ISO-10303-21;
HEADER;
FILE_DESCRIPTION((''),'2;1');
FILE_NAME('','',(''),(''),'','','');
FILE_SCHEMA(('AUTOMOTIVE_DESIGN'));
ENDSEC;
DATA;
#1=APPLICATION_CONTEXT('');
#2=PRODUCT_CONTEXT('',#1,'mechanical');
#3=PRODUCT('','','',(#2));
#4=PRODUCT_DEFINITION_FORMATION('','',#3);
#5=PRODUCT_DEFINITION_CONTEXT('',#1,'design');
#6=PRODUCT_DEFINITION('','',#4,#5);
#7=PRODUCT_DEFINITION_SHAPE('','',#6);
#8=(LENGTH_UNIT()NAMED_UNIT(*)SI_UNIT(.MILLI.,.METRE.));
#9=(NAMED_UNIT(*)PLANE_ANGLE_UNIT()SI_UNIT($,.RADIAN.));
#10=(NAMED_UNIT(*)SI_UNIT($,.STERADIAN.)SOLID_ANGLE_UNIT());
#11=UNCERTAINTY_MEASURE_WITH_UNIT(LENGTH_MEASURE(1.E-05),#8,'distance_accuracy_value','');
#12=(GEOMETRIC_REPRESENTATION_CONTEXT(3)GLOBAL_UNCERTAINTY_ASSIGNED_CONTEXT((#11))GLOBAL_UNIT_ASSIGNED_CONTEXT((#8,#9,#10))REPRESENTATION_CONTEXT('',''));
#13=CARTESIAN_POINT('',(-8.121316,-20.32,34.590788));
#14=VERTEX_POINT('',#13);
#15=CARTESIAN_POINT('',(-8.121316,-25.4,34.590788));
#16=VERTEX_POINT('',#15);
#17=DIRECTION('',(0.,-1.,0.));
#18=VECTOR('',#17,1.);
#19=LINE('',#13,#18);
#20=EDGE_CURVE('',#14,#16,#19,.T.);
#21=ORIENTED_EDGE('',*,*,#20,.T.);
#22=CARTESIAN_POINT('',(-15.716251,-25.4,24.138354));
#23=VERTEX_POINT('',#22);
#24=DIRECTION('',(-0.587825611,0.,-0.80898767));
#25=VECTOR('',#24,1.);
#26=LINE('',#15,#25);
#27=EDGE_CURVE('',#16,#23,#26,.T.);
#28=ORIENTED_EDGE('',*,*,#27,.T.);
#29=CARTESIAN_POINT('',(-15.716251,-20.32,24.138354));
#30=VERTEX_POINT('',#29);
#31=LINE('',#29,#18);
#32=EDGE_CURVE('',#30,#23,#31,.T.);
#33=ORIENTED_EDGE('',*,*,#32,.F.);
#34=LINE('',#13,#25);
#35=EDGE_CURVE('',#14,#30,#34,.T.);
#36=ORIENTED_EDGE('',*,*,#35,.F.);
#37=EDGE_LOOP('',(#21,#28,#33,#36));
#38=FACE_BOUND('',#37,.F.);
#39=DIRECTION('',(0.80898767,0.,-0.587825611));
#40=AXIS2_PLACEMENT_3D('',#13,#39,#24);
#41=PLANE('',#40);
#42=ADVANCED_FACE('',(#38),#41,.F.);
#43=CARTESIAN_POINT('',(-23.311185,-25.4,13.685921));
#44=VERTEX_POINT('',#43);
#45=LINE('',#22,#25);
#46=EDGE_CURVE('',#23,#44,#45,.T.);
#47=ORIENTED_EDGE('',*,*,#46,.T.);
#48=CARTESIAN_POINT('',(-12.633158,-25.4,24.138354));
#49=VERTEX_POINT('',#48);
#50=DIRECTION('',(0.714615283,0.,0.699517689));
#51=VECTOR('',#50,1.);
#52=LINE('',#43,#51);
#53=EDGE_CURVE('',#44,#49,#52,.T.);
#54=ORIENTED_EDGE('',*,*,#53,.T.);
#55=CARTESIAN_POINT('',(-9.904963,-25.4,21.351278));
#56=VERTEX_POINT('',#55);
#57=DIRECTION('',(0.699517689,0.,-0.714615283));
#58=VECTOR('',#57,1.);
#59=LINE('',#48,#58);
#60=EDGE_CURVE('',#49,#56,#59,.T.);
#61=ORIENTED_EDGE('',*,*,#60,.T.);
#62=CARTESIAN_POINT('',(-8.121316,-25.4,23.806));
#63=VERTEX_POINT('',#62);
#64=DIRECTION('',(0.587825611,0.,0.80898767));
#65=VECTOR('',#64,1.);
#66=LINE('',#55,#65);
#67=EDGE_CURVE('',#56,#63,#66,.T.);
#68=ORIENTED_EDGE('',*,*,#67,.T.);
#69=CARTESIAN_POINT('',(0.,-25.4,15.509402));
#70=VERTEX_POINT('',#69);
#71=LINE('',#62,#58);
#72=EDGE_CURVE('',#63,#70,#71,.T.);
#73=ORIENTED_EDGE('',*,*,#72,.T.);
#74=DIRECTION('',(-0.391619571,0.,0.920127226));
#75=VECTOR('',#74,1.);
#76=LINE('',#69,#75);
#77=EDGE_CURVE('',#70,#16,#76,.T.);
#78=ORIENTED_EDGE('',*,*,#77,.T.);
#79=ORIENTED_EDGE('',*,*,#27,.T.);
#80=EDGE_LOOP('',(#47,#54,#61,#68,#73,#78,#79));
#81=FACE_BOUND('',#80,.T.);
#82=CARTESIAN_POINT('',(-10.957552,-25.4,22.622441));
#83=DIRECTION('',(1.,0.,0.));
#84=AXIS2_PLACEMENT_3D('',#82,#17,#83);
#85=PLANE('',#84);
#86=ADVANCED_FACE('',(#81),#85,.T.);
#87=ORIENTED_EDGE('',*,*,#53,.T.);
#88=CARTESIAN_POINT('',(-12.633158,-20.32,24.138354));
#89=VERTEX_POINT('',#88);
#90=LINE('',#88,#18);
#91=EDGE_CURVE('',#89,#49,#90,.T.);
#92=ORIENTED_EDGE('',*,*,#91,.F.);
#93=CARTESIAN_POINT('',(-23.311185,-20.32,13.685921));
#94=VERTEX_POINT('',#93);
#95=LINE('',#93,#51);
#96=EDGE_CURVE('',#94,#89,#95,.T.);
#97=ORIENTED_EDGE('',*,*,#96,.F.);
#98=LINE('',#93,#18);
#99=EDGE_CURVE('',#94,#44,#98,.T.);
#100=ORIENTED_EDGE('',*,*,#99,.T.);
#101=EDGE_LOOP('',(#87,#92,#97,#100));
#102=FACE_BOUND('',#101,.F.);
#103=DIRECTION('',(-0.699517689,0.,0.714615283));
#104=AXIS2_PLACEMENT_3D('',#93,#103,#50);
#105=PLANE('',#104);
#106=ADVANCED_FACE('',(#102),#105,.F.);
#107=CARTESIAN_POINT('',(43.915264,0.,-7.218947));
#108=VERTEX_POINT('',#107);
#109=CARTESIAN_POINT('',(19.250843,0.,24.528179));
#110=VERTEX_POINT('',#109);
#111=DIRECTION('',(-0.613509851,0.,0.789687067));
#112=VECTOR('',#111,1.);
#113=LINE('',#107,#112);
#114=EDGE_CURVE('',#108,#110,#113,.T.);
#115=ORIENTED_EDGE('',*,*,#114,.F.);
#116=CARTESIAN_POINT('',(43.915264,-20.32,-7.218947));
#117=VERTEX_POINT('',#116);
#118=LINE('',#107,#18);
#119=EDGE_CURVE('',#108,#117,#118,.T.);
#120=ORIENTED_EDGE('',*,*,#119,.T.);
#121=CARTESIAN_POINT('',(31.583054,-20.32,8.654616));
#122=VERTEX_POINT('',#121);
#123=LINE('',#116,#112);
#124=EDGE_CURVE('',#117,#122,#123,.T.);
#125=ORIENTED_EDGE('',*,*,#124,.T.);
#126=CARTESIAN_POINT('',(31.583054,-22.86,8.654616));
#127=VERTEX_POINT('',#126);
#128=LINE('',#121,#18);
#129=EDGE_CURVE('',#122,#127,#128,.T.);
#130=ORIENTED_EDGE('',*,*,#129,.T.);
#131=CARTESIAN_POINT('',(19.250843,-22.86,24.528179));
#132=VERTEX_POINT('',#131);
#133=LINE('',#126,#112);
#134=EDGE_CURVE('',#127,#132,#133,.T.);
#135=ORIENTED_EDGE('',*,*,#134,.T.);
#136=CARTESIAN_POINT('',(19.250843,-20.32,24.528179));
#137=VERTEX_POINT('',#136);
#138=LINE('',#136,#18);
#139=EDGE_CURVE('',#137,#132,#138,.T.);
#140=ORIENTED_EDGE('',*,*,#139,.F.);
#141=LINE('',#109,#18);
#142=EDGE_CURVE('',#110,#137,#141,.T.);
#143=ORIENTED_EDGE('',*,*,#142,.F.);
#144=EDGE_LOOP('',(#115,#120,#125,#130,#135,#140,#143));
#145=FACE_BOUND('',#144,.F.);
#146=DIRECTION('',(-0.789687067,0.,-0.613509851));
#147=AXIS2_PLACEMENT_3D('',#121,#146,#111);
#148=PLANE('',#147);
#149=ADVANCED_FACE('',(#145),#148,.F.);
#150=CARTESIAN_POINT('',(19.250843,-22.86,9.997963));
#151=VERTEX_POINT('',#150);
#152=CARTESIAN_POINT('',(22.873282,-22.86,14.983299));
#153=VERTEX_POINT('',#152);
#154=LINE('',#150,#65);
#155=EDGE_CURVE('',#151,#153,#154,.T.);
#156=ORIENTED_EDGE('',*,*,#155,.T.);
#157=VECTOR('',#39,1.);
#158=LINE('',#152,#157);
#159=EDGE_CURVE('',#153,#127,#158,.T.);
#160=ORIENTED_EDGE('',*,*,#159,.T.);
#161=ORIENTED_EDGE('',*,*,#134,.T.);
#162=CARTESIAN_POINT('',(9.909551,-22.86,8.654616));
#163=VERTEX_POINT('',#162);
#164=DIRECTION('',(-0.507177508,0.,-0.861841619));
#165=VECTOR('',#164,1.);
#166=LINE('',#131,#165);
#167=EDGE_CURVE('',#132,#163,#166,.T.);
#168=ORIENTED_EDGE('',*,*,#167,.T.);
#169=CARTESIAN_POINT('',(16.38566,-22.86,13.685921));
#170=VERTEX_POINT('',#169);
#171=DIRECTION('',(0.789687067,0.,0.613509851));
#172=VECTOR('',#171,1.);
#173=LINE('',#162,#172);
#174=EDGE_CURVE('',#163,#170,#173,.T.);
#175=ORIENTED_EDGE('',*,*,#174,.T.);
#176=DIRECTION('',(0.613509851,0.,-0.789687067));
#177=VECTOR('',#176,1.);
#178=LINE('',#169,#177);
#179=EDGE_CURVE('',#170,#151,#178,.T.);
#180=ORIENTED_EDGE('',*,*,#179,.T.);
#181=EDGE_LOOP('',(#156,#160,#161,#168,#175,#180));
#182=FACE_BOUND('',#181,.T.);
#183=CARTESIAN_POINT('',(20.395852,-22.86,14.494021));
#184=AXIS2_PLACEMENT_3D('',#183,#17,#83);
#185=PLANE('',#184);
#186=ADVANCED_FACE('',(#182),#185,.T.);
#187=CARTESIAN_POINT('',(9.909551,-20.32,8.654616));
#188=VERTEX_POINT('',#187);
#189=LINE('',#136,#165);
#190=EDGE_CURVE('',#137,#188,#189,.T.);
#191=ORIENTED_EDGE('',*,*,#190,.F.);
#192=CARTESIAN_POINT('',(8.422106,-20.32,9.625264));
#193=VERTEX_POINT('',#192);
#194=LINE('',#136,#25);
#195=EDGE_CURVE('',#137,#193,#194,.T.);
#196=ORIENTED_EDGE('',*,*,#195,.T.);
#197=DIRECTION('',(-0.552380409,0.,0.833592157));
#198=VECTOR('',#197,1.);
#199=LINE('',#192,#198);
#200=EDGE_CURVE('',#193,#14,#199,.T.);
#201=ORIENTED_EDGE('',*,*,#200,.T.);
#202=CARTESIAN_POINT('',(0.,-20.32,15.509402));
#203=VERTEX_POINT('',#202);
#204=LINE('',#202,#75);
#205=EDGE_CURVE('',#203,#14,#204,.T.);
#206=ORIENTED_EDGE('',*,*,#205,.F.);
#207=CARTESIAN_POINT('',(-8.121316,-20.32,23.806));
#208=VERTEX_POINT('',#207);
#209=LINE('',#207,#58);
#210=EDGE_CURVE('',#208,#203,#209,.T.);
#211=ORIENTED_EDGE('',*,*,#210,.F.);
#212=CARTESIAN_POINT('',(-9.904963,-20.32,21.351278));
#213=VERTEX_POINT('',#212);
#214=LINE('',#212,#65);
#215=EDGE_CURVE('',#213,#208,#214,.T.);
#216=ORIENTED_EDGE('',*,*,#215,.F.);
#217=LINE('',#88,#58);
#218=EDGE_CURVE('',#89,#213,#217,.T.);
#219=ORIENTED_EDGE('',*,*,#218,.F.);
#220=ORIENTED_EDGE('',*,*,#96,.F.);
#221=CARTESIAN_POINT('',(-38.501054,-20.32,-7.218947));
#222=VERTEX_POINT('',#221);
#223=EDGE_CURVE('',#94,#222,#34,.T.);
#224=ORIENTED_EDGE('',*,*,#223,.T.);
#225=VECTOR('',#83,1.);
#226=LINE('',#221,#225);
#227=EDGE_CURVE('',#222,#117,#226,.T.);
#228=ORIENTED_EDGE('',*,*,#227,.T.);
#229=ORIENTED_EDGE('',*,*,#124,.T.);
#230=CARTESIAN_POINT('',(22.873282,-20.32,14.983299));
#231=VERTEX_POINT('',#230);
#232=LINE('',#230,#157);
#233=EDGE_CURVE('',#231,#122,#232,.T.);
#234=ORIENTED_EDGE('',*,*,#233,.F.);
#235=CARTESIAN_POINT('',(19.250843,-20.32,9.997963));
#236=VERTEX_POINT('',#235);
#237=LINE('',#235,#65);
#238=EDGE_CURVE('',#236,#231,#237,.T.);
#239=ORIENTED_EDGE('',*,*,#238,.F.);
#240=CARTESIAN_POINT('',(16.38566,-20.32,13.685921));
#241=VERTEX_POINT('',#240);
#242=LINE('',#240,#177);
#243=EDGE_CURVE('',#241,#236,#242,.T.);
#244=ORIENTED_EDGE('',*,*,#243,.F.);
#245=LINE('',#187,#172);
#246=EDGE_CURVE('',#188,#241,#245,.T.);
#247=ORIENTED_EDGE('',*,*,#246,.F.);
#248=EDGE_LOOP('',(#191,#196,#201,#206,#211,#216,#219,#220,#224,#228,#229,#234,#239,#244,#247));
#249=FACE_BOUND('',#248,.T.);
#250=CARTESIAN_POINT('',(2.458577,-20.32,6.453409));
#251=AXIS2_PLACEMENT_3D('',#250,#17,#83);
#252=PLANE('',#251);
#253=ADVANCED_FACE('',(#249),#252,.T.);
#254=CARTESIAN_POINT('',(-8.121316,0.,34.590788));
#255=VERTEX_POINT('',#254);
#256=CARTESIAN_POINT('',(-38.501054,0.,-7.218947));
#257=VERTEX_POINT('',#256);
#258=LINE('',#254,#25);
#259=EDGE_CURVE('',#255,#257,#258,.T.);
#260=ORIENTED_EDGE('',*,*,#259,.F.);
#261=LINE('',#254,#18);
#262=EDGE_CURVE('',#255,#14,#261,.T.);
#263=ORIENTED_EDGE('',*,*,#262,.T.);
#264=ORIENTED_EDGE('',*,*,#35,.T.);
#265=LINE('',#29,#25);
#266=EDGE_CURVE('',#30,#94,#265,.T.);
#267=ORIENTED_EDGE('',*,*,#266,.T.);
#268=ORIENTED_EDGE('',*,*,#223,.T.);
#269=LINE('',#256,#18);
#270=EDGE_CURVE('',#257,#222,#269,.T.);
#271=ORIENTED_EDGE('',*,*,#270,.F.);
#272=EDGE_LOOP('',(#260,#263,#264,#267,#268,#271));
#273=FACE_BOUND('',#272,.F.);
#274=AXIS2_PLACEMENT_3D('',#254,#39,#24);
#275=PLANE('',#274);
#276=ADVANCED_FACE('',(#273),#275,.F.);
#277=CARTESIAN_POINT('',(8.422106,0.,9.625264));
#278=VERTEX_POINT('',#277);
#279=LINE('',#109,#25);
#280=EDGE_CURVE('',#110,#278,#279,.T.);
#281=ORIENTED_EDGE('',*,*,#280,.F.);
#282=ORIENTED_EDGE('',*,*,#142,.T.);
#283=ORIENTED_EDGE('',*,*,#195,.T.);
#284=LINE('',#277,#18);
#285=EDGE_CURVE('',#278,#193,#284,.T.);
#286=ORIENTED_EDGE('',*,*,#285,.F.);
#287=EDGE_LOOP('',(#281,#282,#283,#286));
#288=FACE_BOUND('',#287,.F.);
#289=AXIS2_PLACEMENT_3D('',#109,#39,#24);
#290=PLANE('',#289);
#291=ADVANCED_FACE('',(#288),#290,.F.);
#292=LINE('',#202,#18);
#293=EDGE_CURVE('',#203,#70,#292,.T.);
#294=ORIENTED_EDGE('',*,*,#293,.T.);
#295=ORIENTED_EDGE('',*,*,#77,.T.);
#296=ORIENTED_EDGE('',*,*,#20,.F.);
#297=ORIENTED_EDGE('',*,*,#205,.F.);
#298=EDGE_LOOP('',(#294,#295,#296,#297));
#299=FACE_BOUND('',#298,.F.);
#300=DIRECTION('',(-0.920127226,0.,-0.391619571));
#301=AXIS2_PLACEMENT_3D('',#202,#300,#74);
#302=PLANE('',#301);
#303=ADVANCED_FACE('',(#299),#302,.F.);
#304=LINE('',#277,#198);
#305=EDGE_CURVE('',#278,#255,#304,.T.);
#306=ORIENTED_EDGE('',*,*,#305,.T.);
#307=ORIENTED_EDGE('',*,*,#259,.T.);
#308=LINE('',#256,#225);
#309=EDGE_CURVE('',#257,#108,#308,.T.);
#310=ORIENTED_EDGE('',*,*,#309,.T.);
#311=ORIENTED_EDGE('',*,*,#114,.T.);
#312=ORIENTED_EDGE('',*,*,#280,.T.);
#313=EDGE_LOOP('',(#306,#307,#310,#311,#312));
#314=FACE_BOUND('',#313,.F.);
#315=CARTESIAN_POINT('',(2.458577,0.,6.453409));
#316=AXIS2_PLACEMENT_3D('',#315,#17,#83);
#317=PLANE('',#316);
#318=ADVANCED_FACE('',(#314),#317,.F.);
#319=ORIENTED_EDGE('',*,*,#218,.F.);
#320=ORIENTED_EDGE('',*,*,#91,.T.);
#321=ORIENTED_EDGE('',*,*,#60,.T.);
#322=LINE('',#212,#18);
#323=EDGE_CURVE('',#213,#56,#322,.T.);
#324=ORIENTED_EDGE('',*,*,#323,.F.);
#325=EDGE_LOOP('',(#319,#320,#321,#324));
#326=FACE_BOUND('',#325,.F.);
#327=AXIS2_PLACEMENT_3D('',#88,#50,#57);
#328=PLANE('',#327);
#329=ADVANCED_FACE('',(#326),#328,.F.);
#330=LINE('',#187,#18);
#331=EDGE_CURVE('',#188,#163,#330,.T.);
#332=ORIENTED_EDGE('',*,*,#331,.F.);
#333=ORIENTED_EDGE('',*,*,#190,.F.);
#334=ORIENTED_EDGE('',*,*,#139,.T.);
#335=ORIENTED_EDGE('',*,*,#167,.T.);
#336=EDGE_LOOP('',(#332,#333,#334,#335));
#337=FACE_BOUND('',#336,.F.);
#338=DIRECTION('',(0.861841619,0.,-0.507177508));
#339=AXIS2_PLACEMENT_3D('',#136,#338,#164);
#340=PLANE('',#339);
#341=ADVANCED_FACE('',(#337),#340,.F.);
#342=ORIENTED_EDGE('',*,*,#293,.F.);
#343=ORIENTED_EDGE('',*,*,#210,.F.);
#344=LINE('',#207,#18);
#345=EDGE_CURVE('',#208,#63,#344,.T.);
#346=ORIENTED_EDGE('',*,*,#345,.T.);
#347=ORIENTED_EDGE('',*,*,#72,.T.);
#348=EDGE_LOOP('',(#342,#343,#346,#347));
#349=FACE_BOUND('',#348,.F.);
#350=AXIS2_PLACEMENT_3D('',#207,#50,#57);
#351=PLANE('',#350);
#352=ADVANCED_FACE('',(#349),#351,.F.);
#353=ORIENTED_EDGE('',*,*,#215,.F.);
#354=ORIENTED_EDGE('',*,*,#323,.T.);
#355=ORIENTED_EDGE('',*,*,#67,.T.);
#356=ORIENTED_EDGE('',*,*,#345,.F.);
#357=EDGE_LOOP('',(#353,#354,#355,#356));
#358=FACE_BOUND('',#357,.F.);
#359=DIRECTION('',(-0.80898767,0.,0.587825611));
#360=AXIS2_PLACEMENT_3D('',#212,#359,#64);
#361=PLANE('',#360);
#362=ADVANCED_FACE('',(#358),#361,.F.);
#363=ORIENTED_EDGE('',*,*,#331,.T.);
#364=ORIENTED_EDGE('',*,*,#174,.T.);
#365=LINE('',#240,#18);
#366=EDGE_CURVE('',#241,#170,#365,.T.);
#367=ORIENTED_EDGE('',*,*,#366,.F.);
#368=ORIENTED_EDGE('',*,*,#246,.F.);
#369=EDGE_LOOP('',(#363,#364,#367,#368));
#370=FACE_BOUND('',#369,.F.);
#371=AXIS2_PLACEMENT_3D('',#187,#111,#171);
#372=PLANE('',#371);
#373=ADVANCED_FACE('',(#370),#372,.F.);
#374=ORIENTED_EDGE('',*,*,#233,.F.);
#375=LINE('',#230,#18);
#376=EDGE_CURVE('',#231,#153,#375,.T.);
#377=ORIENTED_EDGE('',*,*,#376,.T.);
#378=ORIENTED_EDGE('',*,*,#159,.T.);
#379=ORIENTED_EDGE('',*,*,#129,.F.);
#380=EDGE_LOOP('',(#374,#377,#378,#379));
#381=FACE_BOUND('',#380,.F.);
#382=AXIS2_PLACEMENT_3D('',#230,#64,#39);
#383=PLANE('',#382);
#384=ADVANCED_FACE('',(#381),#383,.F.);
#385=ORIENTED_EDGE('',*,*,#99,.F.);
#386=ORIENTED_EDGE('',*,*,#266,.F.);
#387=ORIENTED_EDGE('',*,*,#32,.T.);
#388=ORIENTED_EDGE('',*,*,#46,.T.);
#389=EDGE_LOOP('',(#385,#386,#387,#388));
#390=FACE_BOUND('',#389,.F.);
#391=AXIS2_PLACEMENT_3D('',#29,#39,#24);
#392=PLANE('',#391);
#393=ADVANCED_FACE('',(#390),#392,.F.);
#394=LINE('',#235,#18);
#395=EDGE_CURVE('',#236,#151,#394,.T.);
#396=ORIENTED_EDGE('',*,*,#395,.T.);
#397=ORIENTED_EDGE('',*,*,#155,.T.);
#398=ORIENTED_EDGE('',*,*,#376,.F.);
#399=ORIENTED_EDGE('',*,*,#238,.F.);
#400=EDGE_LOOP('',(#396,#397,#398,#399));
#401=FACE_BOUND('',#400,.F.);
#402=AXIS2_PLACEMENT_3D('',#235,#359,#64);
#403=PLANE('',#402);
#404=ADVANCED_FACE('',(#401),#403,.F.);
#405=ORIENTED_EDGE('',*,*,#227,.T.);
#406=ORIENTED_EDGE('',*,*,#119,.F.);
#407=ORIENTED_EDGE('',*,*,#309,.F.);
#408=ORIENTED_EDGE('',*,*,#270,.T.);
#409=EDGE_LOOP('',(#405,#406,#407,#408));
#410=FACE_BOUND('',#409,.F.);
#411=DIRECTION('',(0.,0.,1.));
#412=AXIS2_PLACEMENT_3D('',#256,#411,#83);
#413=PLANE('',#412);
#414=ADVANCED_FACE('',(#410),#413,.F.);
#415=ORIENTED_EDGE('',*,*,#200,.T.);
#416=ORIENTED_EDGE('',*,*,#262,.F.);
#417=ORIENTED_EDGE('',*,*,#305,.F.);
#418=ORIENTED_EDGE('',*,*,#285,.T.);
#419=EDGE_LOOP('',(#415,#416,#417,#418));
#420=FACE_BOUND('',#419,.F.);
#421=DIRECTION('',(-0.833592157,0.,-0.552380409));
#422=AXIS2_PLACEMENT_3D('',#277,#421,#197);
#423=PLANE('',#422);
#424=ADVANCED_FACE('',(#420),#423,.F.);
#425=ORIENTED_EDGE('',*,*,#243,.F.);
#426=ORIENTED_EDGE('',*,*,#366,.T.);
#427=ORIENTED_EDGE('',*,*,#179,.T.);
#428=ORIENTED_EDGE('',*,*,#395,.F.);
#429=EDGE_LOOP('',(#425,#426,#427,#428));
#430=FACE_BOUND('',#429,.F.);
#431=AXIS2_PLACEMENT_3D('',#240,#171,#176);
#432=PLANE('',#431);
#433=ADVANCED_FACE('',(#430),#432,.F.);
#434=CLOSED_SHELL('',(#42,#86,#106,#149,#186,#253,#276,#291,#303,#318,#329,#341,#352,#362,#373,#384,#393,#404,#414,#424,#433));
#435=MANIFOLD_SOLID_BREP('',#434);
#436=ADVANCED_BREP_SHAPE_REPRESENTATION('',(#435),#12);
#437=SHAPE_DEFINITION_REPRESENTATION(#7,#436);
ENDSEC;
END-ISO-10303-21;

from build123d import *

# Parameters (mm, degrees)
F1_DEPTH = 25.4
F2_DEPTH = 5.08
F4_DEPTH = 5.08
F6_DEPTH = 5.08
F7_DEPTH = 2.54


with BuildPart() as f1:
    # F0 (on Front) → F1 (new body)
    with BuildSketch(Plane.XZ):
        Polygon((8.4221055731, 9.6252635121), (-8.1213163212, 34.5907881856), (-38.5010540485, -7.2189471684), (43.9152643085, -7.2189471684), (19.2508431466, 24.5281786139), align=None)
    extrude(amount=F1_DEPTH)

    # F2 (cut): a face of the model
    f2_faces = [f1.faces().sort_by_distance(p)[0] for p in [
        (1.3839184885, -25.4, 6.2098147026),
    ]]
    extrude(f2_faces, amount=-F2_DEPTH, mode=Mode.SUBTRACT)

    # F3 (on face) → F4 (join)
    with BuildSketch(Plane.XZ.offset(20.32)):
        Polygon((0, 15.509402017), (-8.1213163212, 34.5907881856), (-15.716250753, 24.1383543471), (-23.3111851849, 13.6859205086), (-12.633157894, 24.1383543471), (-9.9049633738, 21.351277577), (-8.1213163212, 23.8059995994), align=None)
    extrude(amount=F4_DEPTH)

    # F5 (on face) → F6 (join)
    with BuildSketch(Plane.XZ.offset(20.32)):
        Polygon((31.5830537275, 8.6546157228), (19.2508431466, 24.5281786139), (9.9095513281, 8.6546157228), (16.3856597612, 13.6859205086), (19.2508431466, 9.9979629957), (22.8732819398, 14.98329923), align=None)
    extrude(amount=F6_DEPTH)

    # F7 (cut): a face of the model
    f7_faces = [f1.faces().sort_by_distance(p)[0] for p in [
        (19.8070463601, -25.4, 16.0557240809),
    ]]
    extrude(f7_faces, amount=-F7_DEPTH, mode=Mode.SUBTRACT)


solid = f1.part
